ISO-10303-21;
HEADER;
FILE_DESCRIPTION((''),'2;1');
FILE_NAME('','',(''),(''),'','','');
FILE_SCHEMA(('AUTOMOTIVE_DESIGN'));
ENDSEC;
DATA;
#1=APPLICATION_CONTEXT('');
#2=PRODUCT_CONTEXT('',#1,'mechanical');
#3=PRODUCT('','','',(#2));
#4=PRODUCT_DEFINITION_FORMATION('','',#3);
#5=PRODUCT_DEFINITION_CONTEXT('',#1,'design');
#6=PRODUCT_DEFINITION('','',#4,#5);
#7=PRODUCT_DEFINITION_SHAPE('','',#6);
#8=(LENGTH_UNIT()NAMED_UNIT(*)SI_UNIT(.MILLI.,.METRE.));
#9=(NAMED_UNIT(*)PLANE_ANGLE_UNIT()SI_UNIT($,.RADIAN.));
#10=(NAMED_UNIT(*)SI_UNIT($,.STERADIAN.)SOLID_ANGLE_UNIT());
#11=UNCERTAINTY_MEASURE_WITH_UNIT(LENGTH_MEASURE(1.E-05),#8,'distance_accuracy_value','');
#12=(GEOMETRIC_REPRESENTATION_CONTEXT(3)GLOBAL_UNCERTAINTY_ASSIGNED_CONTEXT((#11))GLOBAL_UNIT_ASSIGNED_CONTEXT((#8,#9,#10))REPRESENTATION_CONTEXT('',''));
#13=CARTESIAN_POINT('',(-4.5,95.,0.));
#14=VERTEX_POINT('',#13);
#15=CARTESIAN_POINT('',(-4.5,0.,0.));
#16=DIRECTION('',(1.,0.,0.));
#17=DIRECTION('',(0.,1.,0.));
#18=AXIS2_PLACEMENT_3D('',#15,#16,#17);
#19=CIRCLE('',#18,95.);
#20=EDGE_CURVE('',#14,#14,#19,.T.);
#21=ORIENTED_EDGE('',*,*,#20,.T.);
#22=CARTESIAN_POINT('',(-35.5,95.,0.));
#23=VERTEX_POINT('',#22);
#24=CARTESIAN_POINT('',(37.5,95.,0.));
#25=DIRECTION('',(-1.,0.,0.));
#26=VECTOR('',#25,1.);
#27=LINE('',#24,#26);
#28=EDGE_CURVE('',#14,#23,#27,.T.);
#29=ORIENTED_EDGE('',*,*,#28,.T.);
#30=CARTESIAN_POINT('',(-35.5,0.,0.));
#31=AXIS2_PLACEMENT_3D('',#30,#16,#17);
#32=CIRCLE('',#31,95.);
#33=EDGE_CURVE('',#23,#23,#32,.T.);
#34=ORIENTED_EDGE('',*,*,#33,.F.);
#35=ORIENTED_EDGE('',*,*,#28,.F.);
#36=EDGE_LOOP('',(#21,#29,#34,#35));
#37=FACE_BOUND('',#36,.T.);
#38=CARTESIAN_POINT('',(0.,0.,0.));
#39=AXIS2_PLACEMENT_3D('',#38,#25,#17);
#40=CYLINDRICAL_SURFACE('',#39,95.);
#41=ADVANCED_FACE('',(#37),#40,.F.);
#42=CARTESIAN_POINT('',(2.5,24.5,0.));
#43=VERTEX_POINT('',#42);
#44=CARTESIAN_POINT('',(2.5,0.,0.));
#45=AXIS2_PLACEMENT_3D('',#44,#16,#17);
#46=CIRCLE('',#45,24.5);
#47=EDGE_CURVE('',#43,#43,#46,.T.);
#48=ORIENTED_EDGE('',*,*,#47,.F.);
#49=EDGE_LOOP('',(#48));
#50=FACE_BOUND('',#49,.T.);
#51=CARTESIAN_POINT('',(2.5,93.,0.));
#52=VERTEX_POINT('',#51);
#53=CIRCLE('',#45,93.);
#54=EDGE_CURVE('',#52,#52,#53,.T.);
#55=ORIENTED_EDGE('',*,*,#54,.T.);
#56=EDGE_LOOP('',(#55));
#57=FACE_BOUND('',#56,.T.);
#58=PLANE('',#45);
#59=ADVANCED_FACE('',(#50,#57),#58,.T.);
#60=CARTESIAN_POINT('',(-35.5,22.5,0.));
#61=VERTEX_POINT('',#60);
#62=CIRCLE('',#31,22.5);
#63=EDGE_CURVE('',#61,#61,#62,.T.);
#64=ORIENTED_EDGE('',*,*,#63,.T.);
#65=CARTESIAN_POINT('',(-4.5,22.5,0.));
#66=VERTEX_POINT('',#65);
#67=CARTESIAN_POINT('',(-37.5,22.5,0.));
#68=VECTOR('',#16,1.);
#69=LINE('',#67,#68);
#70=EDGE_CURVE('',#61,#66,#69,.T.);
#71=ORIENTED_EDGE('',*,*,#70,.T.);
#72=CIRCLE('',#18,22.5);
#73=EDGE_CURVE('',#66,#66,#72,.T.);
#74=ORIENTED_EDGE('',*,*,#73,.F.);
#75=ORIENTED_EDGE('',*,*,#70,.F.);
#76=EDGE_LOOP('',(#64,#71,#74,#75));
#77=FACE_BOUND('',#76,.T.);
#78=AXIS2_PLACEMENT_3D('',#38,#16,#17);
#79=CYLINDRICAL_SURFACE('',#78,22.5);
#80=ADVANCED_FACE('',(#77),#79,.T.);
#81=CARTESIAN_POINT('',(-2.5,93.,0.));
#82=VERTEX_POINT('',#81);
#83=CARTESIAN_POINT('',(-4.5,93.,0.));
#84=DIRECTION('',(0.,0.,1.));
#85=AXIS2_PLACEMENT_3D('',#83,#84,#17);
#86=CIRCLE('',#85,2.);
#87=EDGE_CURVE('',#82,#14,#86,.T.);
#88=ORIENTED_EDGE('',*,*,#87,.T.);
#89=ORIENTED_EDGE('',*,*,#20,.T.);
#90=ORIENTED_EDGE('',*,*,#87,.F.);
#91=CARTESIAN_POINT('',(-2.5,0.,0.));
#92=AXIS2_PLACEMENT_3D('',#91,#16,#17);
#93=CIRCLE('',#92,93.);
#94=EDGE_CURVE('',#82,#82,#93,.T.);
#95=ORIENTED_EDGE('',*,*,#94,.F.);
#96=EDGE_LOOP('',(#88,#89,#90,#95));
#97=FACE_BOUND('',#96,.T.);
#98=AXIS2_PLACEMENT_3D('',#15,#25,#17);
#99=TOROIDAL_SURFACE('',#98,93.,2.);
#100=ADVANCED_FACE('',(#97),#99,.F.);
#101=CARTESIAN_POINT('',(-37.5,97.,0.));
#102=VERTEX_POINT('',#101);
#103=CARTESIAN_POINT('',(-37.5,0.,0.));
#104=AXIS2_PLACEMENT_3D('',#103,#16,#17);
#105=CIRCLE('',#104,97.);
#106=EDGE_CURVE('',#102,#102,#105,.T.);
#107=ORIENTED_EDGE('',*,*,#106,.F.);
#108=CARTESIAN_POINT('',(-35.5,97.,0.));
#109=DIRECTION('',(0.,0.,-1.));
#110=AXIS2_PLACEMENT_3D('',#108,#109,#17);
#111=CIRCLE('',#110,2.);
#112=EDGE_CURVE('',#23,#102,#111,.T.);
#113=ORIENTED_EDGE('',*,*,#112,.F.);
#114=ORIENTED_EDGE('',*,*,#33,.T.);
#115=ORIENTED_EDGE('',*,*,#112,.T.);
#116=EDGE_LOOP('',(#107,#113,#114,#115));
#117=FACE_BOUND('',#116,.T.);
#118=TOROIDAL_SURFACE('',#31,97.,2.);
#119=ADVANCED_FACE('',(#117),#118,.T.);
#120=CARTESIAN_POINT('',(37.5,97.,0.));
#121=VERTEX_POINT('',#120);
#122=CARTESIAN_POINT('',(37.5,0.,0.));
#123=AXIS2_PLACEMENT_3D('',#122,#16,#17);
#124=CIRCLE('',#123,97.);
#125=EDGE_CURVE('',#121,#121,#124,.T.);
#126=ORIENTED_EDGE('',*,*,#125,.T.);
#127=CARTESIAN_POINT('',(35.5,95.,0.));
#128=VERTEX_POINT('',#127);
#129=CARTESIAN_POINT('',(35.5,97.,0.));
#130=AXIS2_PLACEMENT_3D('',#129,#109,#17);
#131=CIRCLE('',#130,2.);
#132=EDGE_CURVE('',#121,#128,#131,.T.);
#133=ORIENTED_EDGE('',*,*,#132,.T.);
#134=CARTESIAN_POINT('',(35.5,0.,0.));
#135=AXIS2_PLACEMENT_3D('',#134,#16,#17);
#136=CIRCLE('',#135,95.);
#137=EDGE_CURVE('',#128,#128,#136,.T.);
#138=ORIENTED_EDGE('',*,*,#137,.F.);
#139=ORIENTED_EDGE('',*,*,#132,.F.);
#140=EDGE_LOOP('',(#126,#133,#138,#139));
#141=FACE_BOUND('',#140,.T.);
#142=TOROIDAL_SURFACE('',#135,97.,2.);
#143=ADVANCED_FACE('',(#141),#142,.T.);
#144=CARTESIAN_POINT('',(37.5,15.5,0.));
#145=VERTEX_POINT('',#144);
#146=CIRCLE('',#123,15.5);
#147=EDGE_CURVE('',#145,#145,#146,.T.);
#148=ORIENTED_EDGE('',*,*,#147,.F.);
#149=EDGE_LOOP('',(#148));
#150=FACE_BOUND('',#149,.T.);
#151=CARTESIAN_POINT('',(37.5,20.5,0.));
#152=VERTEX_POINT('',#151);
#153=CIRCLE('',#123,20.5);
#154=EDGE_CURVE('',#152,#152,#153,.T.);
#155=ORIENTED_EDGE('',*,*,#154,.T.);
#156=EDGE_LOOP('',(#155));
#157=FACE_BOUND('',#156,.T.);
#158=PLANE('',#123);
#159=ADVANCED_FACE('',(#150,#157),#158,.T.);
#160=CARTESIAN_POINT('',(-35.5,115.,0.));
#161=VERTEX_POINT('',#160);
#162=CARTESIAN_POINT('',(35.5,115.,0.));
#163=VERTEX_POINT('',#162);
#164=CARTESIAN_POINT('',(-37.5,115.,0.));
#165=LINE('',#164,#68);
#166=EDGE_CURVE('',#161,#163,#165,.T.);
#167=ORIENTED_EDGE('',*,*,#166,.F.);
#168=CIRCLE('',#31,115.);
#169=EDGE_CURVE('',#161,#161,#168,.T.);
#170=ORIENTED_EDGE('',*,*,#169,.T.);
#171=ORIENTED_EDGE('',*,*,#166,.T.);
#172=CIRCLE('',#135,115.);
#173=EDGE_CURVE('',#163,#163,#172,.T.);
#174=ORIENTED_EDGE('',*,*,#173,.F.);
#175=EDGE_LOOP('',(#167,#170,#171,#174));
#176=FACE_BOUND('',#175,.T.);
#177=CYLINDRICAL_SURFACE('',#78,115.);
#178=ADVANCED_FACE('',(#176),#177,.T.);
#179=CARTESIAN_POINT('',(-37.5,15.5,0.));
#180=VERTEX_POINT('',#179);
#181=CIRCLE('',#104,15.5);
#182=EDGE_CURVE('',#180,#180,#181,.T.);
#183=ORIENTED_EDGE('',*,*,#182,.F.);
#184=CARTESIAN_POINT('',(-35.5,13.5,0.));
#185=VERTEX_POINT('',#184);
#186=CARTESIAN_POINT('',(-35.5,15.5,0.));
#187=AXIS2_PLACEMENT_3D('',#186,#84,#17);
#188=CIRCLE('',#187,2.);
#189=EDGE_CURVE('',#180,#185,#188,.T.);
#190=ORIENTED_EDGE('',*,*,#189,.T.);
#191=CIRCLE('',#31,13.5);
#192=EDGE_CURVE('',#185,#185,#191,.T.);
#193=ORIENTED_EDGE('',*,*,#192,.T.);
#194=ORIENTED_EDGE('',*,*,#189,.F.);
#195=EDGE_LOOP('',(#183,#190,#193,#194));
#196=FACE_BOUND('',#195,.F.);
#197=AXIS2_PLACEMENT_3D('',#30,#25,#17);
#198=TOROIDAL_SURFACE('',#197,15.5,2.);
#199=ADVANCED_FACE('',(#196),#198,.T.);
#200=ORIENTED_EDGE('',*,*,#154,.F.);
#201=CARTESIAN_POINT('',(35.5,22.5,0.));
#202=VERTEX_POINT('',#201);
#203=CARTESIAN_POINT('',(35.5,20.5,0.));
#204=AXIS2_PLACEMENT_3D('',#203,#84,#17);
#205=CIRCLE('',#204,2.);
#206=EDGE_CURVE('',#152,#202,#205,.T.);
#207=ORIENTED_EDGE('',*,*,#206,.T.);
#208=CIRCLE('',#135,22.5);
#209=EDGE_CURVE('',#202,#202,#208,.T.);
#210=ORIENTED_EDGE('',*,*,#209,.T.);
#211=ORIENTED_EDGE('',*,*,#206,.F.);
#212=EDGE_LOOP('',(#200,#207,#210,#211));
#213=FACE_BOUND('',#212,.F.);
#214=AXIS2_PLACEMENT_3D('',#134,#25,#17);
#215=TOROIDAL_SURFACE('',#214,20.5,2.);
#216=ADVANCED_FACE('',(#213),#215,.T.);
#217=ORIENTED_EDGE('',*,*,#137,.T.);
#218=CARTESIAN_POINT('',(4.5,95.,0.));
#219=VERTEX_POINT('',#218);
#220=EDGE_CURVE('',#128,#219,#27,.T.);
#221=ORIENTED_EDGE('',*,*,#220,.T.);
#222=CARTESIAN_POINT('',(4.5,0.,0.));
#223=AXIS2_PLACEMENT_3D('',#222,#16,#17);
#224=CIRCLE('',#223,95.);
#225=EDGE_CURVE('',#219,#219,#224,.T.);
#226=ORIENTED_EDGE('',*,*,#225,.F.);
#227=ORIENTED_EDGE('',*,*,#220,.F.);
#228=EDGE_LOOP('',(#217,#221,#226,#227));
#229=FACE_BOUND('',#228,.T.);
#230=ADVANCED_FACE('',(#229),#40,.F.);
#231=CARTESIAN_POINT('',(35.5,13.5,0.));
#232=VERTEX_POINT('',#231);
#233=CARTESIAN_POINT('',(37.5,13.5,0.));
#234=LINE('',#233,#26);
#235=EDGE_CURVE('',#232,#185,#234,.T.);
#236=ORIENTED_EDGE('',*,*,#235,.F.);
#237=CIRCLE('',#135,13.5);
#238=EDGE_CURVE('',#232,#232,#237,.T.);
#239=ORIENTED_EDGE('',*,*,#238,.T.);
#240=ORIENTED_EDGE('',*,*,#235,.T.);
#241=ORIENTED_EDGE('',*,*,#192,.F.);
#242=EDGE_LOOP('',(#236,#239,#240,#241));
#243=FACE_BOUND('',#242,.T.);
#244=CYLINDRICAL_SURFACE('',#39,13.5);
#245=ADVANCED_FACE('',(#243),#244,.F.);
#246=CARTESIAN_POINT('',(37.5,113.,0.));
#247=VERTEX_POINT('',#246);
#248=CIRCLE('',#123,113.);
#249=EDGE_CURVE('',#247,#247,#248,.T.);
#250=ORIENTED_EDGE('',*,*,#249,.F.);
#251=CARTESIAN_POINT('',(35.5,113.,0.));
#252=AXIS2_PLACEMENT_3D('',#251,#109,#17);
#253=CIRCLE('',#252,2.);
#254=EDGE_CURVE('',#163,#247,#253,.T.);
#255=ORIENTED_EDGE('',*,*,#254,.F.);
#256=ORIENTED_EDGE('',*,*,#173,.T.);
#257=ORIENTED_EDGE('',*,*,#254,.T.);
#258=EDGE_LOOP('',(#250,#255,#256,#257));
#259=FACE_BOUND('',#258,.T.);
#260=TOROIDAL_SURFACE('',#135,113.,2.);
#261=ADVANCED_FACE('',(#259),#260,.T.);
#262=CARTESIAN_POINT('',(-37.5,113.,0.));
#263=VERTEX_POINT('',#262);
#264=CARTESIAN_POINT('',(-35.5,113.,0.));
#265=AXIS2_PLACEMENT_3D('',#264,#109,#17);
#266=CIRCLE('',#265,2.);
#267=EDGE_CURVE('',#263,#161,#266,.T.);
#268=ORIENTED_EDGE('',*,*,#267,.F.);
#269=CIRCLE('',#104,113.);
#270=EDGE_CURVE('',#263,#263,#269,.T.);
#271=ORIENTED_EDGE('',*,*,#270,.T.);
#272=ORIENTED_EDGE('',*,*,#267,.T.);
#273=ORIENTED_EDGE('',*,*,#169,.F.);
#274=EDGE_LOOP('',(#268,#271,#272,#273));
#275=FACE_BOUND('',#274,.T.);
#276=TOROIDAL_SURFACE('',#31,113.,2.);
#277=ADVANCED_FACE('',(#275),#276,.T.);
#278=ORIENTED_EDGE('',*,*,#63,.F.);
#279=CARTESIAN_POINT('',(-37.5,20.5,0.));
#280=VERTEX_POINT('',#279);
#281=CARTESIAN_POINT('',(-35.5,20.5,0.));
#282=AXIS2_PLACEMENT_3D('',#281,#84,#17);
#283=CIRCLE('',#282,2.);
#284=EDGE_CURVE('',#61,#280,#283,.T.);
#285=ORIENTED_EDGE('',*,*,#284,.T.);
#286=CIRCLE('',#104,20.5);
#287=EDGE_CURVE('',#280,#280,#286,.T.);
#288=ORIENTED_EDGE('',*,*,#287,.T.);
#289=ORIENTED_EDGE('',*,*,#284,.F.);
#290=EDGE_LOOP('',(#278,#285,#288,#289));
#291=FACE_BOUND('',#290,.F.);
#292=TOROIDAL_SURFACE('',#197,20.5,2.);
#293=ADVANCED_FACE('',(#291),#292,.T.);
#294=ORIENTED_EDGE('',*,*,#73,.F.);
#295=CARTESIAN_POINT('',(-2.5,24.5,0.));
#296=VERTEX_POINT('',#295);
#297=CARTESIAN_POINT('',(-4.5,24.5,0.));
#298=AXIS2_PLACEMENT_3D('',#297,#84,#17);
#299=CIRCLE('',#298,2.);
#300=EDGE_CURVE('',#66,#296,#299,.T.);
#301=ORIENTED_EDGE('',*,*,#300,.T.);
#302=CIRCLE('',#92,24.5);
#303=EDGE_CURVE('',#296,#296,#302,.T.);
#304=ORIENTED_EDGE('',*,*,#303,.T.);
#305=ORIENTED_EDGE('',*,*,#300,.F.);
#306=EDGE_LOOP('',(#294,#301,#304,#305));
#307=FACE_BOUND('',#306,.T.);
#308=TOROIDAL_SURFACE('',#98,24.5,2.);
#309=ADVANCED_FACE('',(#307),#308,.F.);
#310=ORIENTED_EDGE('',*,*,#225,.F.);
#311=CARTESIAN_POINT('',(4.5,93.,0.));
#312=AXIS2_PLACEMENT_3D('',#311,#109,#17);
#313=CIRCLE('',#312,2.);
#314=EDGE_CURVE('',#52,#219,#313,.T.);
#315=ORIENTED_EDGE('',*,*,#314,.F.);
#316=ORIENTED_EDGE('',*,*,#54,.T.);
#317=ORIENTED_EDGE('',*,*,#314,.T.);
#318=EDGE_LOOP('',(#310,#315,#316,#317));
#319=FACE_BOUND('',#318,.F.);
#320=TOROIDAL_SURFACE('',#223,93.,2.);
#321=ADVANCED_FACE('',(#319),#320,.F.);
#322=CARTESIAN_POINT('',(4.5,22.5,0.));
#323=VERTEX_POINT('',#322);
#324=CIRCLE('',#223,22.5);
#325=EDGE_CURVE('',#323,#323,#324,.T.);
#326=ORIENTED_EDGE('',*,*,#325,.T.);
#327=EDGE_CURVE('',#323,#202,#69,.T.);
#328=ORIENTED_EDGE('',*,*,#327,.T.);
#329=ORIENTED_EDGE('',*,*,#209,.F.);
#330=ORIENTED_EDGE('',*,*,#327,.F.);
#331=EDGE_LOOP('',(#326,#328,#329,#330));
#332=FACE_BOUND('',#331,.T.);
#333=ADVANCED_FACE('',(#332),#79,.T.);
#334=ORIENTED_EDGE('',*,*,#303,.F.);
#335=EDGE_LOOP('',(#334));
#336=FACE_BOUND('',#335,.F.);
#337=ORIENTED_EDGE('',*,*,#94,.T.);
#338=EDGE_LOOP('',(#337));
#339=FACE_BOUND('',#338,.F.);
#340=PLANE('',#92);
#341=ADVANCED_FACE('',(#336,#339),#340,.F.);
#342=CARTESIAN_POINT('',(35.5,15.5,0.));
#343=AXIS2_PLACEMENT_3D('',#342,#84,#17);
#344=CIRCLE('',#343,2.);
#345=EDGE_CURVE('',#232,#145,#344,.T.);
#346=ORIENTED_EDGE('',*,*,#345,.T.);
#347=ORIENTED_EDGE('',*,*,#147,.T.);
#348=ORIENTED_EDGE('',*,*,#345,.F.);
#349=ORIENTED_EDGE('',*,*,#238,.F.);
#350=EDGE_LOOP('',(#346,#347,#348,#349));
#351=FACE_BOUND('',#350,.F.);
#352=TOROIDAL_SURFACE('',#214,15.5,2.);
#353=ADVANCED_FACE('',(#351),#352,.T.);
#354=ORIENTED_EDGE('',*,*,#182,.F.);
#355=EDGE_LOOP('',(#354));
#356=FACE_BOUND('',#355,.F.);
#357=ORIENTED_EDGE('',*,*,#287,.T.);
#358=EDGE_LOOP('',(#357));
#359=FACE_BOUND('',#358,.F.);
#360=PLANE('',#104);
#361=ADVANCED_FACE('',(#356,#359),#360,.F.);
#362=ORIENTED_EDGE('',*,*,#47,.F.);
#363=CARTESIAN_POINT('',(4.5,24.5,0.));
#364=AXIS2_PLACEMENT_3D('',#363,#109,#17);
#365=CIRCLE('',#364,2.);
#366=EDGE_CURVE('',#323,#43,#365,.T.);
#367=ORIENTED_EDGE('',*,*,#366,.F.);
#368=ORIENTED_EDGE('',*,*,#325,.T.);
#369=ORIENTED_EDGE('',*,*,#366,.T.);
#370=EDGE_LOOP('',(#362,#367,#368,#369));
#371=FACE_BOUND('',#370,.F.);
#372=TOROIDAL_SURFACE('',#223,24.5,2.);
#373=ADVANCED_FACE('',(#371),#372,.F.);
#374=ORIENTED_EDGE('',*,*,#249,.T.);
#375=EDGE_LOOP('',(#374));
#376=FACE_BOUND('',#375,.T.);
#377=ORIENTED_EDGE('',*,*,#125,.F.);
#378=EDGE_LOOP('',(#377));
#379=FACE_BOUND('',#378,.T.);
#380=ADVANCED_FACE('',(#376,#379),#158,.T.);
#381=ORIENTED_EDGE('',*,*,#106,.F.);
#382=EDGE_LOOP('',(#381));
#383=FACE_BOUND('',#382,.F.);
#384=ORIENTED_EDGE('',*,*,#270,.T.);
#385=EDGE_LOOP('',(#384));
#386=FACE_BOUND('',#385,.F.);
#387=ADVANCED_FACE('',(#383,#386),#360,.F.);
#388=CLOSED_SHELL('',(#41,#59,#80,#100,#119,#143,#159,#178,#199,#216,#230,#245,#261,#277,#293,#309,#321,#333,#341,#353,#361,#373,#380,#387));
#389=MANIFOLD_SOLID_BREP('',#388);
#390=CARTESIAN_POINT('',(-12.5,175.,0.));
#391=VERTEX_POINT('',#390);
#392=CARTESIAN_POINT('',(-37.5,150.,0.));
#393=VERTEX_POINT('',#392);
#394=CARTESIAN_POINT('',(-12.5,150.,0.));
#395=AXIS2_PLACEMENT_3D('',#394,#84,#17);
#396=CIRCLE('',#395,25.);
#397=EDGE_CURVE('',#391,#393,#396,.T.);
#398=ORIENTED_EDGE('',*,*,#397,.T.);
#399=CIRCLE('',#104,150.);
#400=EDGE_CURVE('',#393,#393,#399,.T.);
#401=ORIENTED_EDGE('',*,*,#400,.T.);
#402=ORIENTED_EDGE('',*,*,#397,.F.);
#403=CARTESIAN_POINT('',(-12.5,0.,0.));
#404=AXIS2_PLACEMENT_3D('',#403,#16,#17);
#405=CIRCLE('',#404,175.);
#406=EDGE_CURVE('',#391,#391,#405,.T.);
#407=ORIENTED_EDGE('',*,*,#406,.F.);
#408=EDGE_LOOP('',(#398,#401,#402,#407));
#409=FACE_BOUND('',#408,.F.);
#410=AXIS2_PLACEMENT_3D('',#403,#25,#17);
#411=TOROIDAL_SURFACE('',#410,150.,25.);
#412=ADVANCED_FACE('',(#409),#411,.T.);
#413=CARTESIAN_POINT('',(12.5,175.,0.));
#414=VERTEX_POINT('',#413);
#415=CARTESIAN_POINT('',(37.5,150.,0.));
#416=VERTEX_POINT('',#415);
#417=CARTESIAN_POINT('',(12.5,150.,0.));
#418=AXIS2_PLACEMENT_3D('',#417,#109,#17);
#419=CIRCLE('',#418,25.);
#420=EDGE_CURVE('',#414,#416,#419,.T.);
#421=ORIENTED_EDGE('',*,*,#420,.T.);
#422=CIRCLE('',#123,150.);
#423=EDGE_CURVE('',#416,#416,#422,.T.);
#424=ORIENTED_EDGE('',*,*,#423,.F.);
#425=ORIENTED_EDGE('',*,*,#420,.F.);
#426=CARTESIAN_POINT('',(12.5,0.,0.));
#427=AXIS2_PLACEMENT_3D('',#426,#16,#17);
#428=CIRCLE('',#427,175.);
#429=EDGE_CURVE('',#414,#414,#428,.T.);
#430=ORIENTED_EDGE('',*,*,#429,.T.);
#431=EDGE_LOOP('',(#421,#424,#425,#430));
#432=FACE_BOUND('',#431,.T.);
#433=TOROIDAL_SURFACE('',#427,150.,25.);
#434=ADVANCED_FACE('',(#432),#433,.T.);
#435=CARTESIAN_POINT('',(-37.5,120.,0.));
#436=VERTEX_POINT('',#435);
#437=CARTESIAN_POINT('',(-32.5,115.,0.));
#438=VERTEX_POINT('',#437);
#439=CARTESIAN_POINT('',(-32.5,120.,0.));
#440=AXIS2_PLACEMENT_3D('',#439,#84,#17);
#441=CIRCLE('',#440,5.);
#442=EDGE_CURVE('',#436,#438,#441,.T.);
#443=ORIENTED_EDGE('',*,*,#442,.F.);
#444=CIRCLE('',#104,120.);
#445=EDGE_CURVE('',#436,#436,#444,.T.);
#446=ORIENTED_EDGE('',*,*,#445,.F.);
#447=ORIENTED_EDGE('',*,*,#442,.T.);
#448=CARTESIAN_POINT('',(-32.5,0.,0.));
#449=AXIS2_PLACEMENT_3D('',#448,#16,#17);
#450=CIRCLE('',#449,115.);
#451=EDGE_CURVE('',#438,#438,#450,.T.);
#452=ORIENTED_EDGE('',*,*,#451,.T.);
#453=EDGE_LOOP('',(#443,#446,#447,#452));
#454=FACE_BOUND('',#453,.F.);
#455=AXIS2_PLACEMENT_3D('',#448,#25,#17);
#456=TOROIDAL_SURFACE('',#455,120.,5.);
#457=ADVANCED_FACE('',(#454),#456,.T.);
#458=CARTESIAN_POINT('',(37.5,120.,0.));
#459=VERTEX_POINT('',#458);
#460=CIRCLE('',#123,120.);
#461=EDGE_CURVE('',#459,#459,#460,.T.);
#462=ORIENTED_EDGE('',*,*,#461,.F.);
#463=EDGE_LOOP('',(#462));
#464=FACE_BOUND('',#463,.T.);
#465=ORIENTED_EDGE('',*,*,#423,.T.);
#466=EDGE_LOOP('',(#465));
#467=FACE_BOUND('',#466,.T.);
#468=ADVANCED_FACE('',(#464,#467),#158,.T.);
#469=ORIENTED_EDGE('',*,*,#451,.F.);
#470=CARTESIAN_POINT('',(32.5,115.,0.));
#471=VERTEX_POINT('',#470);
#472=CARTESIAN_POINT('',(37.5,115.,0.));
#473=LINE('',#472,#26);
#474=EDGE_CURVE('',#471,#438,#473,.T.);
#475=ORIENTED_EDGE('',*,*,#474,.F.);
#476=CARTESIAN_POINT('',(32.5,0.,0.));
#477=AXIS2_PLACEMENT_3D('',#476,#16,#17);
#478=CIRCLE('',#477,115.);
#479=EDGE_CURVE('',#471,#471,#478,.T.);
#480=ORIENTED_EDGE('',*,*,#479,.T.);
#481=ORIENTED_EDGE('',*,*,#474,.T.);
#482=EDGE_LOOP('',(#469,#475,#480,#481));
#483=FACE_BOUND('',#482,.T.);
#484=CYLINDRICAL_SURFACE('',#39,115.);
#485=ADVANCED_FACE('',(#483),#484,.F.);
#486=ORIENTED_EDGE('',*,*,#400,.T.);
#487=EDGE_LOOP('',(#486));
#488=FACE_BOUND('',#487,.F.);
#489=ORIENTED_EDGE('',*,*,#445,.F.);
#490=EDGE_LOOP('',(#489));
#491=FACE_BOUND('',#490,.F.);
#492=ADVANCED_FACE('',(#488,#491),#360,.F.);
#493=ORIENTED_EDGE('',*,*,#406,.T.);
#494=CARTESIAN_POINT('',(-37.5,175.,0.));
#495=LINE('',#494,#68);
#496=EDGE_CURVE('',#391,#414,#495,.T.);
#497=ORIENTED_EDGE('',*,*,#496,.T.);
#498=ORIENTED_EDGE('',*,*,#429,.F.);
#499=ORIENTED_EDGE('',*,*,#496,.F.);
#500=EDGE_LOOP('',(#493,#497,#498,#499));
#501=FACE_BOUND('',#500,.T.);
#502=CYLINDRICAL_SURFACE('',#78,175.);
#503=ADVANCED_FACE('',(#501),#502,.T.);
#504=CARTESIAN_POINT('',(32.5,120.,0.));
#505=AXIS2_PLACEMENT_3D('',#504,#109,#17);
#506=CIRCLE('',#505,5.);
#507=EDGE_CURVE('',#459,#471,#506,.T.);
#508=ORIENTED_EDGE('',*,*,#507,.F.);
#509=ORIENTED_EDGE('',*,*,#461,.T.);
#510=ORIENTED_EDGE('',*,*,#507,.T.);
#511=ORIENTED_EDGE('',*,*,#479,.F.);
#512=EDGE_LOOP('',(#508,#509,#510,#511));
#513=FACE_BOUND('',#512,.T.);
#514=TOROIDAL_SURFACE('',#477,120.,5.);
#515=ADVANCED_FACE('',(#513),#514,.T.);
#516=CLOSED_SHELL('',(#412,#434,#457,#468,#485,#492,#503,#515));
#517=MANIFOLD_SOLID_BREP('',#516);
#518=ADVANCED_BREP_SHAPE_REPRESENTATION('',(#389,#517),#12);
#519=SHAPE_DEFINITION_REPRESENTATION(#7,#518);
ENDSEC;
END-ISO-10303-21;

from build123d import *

# Parameters (mm, degrees)
F0_R     = 175
F0_R_2   = 115
F1_DEPTH = 37.5
F0_R_3   = 95
F2_DEPTH = 37.5
F0_R_4   = 22.5
F0_R_5   = 13.5
F3_DEPTH = 2.5
F4_R     = 25
F5_R     = 2
F6_R     = 5
F7_R     = 2


with BuildPart() as f1:
    # F0 (on Right) → F1 (new body, symmetric)
    with BuildSketch(Plane.YZ):
        Circle(F0_R)
        Circle(F0_R_2, mode=Mode.SUBTRACT)
    extrude(amount=F1_DEPTH, both=True)

    # F4
    f4_edges = [f1.edges().sort_by_distance(p)[0] for p in [
        (37.5, -175, 0),
        (-37.5, -175, 0),
    ]]
    fillet(f4_edges, radius=F4_R)

    # F6
    f6_edges = [f1.edges().sort_by_distance(p)[0] for p in [
        (-37.5, -115, 0),
        (37.5, -115, 0),
    ]]
    fillet(f6_edges, radius=F6_R)


with BuildPart() as f2:
    # F0 (on Right) → F2 (new body, symmetric)
    with BuildSketch(Plane.YZ):
        Circle(F0_R_2)
        Circle(F0_R_3, mode=Mode.SUBTRACT)
    extrude(amount=F2_DEPTH, both=True)



with BuildPart() as f2b:
    # F0 (on Right) → F2, piece 2 (new body, symmetric)
    with BuildSketch(Plane.YZ):
        Circle(F0_R_4)
        Circle(F0_R_5, mode=Mode.SUBTRACT)
    extrude(amount=F2_DEPTH, both=True)


with BuildPart() as f2_1:
    add(f2.part)

    add(f2b.part)  # F3 merges F2b
    # F0 (on Right) → F3 (join, symmetric)
    with BuildSketch(Plane.YZ):
        Circle(F0_R_3)
        Circle(F0_R_4, mode=Mode.SUBTRACT)
    extrude(amount=F3_DEPTH, both=True)

    # F5
    f5_edges = [f2_1.edges().sort_by_distance(p)[0] for p in [
        (2.5, -22.5, 0),
        (20, 22.5, 0),
        (37.5, -22.5, 0),
        (20, 95, 0),
        (2.5, -95, 0),
        (37.5, -95, 0),
        (-2.5, -95, 0),
        (-20, 95, 0),
        (-37.5, -95, 0),
        (-20, 22.5, 0),
        (-2.5, -22.5, 0),
        (-37.5, -22.5, 0),
        (37.5, -13.5, 0),
        (0, 13.5, 0),
        (-37.5, -13.5, 0),
    ]]
    fillet(f5_edges, radius=F5_R)

    # F7
    f7_edges = [f2_1.edges().sort_by_distance(p)[0] for p in [
        (-37.5, -115, 0),
        (37.5, -115, 0),
    ]]
    fillet(f7_edges, radius=F7_R)


solid = Compound([f1.part, f2_1.part])
